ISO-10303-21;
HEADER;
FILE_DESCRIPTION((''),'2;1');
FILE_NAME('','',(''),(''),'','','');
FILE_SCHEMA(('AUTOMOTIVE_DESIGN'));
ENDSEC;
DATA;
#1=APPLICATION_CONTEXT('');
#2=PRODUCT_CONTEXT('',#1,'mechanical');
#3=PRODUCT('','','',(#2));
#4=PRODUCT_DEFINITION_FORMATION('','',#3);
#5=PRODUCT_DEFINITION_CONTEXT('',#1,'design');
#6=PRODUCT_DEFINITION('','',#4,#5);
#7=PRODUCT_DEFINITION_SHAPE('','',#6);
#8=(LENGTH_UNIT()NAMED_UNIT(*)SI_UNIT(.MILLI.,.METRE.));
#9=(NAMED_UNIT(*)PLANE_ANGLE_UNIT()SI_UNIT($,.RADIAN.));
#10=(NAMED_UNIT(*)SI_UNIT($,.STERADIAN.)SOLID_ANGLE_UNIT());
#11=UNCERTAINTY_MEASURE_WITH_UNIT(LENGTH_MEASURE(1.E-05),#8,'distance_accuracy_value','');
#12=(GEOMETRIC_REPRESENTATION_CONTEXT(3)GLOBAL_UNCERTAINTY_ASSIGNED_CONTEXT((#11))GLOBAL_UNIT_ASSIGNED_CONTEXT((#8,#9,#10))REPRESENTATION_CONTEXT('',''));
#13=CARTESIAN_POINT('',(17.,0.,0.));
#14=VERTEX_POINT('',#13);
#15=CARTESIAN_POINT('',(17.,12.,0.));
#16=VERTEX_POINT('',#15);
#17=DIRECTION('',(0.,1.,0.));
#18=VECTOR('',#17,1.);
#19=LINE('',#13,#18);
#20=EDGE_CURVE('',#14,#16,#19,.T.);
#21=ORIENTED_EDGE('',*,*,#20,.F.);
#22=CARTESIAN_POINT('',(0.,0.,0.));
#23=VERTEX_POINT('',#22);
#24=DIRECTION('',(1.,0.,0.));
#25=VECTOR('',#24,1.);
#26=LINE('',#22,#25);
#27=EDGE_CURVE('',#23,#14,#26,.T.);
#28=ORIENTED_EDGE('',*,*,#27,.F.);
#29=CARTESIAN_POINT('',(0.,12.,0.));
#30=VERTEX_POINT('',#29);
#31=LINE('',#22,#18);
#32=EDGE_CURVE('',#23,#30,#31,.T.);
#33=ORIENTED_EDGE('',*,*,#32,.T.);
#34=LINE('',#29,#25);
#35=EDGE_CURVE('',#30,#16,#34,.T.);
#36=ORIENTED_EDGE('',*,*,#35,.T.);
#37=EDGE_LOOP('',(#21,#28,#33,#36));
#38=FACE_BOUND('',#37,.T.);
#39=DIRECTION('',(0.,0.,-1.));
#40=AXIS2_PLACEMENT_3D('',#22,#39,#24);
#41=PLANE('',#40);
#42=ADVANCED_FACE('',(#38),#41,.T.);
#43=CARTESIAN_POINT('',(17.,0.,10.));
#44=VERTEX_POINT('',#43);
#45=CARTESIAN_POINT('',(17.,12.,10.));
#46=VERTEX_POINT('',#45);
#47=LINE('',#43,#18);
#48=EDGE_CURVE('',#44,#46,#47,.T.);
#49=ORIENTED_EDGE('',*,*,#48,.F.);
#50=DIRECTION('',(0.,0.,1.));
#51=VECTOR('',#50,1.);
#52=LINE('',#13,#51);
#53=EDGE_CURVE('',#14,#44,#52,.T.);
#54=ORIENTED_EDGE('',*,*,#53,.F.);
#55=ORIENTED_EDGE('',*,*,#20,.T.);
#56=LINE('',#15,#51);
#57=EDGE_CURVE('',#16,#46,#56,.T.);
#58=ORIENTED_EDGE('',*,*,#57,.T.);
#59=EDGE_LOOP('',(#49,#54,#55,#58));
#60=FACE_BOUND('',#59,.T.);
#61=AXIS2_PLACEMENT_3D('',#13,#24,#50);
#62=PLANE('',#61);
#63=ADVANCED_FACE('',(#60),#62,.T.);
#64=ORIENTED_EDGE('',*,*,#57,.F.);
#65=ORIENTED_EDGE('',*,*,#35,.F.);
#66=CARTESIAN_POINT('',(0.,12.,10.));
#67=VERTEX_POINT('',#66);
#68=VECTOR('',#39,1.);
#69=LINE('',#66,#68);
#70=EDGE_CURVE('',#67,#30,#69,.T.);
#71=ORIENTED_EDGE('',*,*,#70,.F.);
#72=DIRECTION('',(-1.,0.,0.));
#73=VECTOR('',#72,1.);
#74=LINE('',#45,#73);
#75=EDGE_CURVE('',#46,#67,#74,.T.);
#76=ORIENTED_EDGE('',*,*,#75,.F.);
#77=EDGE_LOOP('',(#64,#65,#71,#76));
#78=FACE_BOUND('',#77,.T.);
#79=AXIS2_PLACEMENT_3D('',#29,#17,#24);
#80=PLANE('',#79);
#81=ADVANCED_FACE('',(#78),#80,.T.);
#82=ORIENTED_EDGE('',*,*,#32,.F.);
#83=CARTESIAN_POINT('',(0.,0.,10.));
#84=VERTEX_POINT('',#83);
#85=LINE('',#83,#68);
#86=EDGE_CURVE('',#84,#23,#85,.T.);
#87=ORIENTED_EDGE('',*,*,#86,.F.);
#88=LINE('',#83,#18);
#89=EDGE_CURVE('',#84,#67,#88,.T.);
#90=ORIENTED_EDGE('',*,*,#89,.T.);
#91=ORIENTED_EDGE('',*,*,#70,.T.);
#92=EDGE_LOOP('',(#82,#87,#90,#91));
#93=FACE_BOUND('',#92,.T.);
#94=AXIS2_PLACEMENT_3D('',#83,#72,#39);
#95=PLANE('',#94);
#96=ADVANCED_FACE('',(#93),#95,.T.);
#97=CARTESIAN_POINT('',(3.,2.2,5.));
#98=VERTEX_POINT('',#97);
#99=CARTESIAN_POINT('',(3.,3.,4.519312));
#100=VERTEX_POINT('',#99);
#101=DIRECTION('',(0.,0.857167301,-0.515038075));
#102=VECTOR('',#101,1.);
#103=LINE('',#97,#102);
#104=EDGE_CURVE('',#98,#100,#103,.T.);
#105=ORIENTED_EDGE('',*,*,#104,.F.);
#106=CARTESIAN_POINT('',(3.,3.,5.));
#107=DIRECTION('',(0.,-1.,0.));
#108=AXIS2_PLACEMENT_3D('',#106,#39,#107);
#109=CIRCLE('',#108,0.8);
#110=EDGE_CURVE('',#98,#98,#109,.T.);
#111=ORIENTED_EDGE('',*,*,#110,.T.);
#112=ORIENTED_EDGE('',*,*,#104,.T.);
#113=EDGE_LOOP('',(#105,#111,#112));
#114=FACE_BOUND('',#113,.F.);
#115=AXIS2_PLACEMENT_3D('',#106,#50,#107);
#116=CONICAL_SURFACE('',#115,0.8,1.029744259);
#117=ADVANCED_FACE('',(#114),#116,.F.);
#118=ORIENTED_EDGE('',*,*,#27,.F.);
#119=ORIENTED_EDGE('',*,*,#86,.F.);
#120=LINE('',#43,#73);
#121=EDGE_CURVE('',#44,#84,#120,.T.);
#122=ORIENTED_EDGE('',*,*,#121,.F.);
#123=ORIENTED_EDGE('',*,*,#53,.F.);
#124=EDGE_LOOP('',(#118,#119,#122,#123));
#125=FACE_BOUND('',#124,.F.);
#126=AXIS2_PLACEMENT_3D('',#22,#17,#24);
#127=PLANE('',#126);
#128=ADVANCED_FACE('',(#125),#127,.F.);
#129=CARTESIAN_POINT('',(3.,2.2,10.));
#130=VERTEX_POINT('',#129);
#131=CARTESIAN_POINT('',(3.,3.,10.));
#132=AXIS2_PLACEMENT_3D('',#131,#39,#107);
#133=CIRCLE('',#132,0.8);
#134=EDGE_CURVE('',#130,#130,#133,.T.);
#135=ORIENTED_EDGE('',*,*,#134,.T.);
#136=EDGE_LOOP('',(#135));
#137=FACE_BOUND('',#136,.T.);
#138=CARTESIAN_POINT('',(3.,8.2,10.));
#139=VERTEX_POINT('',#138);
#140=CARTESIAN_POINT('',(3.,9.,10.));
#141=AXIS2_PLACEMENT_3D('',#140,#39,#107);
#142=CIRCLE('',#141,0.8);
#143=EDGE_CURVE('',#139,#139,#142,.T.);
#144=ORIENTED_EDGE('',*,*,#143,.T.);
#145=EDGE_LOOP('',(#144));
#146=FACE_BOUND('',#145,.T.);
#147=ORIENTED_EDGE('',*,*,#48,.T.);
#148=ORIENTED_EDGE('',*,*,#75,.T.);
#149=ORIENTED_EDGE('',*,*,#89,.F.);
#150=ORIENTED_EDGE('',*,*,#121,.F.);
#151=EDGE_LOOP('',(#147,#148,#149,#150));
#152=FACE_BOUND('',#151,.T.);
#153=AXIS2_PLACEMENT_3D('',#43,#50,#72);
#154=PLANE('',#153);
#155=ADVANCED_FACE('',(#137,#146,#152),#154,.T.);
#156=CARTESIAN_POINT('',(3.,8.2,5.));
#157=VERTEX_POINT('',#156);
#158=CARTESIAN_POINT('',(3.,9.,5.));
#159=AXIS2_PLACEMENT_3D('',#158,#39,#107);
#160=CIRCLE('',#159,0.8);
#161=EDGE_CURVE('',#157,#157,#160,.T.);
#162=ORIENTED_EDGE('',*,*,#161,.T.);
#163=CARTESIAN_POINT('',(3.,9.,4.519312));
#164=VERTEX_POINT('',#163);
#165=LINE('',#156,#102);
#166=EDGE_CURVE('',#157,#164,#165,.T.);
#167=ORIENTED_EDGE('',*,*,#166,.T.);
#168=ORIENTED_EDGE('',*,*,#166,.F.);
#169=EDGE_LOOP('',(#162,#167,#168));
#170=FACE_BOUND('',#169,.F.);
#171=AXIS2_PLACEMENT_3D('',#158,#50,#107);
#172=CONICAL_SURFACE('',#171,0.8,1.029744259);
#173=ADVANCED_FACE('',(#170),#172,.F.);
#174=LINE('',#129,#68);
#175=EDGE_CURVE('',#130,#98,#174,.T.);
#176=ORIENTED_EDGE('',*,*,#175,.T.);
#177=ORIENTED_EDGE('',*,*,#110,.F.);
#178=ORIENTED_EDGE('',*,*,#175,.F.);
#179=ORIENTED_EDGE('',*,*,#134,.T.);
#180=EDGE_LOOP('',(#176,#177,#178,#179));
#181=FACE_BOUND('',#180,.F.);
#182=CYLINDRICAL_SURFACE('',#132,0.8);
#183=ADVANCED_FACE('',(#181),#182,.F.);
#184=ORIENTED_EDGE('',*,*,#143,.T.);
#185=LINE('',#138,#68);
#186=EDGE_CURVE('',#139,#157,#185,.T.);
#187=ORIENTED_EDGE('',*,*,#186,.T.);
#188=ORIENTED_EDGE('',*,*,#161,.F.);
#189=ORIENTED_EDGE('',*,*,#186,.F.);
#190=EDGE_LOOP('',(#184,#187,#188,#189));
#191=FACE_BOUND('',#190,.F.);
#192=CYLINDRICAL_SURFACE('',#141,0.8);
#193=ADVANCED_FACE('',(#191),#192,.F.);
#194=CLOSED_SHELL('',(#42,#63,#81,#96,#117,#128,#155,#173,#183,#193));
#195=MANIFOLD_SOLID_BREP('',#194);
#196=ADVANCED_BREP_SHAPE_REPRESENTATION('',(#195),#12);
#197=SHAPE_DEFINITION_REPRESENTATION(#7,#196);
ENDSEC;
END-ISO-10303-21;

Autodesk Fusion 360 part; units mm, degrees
sketch "Sketch1" plane through (0, 0, 0) normal (0, 1, 0) x (1, 0, 0)
  line L0 (0, 0) -> (17, 0)
  line L1 (17, 0) -> (17, -10)
  line L2 (17, -10) -> (0, -10)
  line L3 (0, -10) -> (0, 0)
  dimension "d1" = 17
  dimension "d2" = 10
extrude "Extrude1" add sketch "Sketch1" along normal blind 12
sketch "Sketch2" plane through (0, 0, 10) normal (0, 0, 1) x (1, 0, 0)
  line L0 (0, 0) -> (17, 0)
  line L1 (17, 0) -> (17, 12)
  line L2 (17, 12) -> (0, 12)
  line L3 (0, 12) -> (0, 0)
  point P0 (3, 3)
  point P1 (3, 9)
  dimension "d5" = 3
  dimension "d6" = 3
  dimension "d7" = 6
hole "Hole1" at (3, 3, 10) direction (0, 0, -1) diameter 1.6 depth 5 tip angle 118
hole "Hole2" at (3, 9, 10) direction (0, 0, -1) diameter 1.6 depth 5 tip angle 118
